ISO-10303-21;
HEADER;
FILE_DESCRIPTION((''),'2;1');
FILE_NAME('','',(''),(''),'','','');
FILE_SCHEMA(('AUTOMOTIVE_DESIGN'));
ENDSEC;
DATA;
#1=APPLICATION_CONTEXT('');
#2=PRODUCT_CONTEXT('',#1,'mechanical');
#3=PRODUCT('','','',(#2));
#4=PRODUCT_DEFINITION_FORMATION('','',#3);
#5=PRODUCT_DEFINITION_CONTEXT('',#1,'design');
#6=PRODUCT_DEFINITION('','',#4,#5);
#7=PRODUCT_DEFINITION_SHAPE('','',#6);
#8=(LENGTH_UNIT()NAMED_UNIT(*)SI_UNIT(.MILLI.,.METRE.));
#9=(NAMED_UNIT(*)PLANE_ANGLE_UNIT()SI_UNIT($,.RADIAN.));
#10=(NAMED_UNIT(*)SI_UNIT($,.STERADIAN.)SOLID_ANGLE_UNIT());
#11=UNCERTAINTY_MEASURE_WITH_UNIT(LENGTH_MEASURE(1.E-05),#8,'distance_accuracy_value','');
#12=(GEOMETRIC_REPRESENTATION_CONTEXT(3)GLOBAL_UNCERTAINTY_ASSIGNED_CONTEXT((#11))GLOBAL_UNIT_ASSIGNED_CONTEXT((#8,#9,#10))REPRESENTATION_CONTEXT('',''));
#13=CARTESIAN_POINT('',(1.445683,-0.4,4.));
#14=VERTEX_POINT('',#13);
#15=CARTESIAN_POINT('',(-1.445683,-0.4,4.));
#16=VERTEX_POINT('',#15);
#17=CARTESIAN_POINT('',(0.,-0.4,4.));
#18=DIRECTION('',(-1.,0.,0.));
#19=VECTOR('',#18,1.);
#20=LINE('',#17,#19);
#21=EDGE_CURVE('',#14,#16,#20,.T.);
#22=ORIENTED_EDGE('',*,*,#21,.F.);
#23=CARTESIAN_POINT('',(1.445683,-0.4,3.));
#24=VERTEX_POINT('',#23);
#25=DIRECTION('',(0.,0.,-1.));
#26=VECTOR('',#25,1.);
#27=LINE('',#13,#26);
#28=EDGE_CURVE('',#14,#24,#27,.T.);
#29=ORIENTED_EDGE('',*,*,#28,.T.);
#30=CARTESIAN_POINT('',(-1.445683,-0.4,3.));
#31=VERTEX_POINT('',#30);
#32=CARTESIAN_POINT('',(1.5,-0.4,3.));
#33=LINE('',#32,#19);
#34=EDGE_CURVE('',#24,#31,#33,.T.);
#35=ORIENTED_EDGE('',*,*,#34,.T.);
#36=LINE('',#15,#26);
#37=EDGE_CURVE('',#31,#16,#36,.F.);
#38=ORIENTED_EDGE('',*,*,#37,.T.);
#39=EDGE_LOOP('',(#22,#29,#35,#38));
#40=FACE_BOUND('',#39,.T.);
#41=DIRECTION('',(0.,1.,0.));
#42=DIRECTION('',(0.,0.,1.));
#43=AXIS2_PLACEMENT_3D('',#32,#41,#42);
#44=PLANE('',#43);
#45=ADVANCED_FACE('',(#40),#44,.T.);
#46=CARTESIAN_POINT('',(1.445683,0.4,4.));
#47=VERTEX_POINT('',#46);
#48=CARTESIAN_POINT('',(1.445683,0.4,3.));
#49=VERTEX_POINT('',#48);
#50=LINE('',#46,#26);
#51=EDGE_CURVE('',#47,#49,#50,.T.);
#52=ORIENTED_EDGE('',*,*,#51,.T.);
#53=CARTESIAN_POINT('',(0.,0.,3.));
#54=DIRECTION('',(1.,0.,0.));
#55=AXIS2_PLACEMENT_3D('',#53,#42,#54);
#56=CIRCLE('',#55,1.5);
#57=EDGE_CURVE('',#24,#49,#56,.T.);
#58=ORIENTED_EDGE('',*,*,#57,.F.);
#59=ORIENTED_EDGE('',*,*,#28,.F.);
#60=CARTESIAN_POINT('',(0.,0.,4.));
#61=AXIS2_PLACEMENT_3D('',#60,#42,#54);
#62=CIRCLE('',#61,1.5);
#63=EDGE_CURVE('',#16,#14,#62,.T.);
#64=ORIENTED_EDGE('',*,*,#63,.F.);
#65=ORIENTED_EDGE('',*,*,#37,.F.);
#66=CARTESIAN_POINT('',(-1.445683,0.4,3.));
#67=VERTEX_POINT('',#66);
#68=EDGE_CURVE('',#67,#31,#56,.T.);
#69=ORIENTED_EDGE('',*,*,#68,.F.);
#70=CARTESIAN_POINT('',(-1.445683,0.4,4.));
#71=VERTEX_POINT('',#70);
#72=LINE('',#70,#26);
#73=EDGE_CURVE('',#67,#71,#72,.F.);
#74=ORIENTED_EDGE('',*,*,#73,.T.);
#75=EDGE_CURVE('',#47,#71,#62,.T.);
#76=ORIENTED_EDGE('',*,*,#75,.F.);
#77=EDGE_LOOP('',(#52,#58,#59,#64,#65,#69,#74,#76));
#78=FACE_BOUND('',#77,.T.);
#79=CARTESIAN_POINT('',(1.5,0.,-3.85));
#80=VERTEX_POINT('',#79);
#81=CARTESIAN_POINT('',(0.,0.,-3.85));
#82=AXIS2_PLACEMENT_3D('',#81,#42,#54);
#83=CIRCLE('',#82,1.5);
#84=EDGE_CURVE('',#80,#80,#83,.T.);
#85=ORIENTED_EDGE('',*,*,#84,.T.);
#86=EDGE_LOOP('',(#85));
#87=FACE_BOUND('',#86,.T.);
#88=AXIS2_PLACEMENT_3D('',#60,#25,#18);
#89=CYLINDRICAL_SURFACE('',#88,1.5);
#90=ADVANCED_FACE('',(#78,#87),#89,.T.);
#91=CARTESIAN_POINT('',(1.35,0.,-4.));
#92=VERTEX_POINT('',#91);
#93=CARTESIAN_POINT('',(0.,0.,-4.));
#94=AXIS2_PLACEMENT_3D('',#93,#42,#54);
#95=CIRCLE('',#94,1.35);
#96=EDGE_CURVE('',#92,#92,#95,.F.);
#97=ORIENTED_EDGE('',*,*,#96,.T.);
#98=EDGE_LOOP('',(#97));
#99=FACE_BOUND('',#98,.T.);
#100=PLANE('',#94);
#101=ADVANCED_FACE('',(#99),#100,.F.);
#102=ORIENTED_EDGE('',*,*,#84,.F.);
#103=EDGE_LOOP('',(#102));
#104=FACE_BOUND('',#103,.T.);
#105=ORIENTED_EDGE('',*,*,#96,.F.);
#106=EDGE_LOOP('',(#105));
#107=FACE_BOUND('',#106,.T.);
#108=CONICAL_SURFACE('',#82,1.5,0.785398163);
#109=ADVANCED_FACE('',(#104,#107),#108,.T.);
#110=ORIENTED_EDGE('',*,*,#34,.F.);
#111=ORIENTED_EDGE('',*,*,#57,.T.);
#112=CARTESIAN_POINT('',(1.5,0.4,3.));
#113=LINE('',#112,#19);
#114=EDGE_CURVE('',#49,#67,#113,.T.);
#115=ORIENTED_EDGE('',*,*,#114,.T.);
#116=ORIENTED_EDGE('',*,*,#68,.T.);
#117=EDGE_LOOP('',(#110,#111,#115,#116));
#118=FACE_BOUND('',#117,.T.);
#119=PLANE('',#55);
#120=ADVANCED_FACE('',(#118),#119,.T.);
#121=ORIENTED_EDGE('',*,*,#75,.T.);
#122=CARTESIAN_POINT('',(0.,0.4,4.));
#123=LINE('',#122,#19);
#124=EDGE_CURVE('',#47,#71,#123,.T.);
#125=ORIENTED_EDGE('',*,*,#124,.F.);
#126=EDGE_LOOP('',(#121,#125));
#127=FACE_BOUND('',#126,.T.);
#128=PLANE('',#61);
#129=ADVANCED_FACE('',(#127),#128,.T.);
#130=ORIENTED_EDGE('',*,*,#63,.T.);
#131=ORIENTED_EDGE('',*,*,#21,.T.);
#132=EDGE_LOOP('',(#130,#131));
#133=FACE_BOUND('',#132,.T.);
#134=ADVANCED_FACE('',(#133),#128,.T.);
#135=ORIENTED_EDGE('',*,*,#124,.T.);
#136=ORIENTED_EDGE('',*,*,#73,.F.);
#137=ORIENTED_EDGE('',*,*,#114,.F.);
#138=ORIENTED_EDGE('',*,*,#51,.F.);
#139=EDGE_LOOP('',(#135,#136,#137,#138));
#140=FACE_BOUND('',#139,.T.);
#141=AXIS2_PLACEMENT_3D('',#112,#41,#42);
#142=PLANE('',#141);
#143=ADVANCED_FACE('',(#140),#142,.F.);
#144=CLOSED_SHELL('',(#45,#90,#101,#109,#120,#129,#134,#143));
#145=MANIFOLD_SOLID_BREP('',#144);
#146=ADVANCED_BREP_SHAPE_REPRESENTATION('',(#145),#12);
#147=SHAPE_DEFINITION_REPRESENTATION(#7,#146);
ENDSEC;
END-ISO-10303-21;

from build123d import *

# Parameters (mm, degrees)
SKETCH1_R           = 1.5
BOSS_EXTRUDE1_DEPTH = 4
CHAMFER1_SIZE       = 0.15
SKETCH3_W           = 3
SKETCH3_H           = 0.8
CUT_EXTRUDE1_DEPTH  = 1


with BuildPart() as part:
    # Sketch1 → Boss-Extrude1 (new, symmetric)
    with BuildSketch(Plane.XY):
        Circle(SKETCH1_R)
    extrude(amount=BOSS_EXTRUDE1_DEPTH, both=True)

    # Chamfer1
    chamfer1_edges = [part.edges().sort_by_distance(p)[0] for p in [
        (-1.5, 0, -4),
    ]]
    chamfer(chamfer1_edges, length=CHAMFER1_SIZE)

    # Sketch3 → Cut-Extrude1 (cut)
    with BuildSketch(Plane.XY.offset(4)):
        Rectangle(SKETCH3_W, SKETCH3_H)
    extrude(amount=-CUT_EXTRUDE1_DEPTH, mode=Mode.SUBTRACT)


solid = part.part
